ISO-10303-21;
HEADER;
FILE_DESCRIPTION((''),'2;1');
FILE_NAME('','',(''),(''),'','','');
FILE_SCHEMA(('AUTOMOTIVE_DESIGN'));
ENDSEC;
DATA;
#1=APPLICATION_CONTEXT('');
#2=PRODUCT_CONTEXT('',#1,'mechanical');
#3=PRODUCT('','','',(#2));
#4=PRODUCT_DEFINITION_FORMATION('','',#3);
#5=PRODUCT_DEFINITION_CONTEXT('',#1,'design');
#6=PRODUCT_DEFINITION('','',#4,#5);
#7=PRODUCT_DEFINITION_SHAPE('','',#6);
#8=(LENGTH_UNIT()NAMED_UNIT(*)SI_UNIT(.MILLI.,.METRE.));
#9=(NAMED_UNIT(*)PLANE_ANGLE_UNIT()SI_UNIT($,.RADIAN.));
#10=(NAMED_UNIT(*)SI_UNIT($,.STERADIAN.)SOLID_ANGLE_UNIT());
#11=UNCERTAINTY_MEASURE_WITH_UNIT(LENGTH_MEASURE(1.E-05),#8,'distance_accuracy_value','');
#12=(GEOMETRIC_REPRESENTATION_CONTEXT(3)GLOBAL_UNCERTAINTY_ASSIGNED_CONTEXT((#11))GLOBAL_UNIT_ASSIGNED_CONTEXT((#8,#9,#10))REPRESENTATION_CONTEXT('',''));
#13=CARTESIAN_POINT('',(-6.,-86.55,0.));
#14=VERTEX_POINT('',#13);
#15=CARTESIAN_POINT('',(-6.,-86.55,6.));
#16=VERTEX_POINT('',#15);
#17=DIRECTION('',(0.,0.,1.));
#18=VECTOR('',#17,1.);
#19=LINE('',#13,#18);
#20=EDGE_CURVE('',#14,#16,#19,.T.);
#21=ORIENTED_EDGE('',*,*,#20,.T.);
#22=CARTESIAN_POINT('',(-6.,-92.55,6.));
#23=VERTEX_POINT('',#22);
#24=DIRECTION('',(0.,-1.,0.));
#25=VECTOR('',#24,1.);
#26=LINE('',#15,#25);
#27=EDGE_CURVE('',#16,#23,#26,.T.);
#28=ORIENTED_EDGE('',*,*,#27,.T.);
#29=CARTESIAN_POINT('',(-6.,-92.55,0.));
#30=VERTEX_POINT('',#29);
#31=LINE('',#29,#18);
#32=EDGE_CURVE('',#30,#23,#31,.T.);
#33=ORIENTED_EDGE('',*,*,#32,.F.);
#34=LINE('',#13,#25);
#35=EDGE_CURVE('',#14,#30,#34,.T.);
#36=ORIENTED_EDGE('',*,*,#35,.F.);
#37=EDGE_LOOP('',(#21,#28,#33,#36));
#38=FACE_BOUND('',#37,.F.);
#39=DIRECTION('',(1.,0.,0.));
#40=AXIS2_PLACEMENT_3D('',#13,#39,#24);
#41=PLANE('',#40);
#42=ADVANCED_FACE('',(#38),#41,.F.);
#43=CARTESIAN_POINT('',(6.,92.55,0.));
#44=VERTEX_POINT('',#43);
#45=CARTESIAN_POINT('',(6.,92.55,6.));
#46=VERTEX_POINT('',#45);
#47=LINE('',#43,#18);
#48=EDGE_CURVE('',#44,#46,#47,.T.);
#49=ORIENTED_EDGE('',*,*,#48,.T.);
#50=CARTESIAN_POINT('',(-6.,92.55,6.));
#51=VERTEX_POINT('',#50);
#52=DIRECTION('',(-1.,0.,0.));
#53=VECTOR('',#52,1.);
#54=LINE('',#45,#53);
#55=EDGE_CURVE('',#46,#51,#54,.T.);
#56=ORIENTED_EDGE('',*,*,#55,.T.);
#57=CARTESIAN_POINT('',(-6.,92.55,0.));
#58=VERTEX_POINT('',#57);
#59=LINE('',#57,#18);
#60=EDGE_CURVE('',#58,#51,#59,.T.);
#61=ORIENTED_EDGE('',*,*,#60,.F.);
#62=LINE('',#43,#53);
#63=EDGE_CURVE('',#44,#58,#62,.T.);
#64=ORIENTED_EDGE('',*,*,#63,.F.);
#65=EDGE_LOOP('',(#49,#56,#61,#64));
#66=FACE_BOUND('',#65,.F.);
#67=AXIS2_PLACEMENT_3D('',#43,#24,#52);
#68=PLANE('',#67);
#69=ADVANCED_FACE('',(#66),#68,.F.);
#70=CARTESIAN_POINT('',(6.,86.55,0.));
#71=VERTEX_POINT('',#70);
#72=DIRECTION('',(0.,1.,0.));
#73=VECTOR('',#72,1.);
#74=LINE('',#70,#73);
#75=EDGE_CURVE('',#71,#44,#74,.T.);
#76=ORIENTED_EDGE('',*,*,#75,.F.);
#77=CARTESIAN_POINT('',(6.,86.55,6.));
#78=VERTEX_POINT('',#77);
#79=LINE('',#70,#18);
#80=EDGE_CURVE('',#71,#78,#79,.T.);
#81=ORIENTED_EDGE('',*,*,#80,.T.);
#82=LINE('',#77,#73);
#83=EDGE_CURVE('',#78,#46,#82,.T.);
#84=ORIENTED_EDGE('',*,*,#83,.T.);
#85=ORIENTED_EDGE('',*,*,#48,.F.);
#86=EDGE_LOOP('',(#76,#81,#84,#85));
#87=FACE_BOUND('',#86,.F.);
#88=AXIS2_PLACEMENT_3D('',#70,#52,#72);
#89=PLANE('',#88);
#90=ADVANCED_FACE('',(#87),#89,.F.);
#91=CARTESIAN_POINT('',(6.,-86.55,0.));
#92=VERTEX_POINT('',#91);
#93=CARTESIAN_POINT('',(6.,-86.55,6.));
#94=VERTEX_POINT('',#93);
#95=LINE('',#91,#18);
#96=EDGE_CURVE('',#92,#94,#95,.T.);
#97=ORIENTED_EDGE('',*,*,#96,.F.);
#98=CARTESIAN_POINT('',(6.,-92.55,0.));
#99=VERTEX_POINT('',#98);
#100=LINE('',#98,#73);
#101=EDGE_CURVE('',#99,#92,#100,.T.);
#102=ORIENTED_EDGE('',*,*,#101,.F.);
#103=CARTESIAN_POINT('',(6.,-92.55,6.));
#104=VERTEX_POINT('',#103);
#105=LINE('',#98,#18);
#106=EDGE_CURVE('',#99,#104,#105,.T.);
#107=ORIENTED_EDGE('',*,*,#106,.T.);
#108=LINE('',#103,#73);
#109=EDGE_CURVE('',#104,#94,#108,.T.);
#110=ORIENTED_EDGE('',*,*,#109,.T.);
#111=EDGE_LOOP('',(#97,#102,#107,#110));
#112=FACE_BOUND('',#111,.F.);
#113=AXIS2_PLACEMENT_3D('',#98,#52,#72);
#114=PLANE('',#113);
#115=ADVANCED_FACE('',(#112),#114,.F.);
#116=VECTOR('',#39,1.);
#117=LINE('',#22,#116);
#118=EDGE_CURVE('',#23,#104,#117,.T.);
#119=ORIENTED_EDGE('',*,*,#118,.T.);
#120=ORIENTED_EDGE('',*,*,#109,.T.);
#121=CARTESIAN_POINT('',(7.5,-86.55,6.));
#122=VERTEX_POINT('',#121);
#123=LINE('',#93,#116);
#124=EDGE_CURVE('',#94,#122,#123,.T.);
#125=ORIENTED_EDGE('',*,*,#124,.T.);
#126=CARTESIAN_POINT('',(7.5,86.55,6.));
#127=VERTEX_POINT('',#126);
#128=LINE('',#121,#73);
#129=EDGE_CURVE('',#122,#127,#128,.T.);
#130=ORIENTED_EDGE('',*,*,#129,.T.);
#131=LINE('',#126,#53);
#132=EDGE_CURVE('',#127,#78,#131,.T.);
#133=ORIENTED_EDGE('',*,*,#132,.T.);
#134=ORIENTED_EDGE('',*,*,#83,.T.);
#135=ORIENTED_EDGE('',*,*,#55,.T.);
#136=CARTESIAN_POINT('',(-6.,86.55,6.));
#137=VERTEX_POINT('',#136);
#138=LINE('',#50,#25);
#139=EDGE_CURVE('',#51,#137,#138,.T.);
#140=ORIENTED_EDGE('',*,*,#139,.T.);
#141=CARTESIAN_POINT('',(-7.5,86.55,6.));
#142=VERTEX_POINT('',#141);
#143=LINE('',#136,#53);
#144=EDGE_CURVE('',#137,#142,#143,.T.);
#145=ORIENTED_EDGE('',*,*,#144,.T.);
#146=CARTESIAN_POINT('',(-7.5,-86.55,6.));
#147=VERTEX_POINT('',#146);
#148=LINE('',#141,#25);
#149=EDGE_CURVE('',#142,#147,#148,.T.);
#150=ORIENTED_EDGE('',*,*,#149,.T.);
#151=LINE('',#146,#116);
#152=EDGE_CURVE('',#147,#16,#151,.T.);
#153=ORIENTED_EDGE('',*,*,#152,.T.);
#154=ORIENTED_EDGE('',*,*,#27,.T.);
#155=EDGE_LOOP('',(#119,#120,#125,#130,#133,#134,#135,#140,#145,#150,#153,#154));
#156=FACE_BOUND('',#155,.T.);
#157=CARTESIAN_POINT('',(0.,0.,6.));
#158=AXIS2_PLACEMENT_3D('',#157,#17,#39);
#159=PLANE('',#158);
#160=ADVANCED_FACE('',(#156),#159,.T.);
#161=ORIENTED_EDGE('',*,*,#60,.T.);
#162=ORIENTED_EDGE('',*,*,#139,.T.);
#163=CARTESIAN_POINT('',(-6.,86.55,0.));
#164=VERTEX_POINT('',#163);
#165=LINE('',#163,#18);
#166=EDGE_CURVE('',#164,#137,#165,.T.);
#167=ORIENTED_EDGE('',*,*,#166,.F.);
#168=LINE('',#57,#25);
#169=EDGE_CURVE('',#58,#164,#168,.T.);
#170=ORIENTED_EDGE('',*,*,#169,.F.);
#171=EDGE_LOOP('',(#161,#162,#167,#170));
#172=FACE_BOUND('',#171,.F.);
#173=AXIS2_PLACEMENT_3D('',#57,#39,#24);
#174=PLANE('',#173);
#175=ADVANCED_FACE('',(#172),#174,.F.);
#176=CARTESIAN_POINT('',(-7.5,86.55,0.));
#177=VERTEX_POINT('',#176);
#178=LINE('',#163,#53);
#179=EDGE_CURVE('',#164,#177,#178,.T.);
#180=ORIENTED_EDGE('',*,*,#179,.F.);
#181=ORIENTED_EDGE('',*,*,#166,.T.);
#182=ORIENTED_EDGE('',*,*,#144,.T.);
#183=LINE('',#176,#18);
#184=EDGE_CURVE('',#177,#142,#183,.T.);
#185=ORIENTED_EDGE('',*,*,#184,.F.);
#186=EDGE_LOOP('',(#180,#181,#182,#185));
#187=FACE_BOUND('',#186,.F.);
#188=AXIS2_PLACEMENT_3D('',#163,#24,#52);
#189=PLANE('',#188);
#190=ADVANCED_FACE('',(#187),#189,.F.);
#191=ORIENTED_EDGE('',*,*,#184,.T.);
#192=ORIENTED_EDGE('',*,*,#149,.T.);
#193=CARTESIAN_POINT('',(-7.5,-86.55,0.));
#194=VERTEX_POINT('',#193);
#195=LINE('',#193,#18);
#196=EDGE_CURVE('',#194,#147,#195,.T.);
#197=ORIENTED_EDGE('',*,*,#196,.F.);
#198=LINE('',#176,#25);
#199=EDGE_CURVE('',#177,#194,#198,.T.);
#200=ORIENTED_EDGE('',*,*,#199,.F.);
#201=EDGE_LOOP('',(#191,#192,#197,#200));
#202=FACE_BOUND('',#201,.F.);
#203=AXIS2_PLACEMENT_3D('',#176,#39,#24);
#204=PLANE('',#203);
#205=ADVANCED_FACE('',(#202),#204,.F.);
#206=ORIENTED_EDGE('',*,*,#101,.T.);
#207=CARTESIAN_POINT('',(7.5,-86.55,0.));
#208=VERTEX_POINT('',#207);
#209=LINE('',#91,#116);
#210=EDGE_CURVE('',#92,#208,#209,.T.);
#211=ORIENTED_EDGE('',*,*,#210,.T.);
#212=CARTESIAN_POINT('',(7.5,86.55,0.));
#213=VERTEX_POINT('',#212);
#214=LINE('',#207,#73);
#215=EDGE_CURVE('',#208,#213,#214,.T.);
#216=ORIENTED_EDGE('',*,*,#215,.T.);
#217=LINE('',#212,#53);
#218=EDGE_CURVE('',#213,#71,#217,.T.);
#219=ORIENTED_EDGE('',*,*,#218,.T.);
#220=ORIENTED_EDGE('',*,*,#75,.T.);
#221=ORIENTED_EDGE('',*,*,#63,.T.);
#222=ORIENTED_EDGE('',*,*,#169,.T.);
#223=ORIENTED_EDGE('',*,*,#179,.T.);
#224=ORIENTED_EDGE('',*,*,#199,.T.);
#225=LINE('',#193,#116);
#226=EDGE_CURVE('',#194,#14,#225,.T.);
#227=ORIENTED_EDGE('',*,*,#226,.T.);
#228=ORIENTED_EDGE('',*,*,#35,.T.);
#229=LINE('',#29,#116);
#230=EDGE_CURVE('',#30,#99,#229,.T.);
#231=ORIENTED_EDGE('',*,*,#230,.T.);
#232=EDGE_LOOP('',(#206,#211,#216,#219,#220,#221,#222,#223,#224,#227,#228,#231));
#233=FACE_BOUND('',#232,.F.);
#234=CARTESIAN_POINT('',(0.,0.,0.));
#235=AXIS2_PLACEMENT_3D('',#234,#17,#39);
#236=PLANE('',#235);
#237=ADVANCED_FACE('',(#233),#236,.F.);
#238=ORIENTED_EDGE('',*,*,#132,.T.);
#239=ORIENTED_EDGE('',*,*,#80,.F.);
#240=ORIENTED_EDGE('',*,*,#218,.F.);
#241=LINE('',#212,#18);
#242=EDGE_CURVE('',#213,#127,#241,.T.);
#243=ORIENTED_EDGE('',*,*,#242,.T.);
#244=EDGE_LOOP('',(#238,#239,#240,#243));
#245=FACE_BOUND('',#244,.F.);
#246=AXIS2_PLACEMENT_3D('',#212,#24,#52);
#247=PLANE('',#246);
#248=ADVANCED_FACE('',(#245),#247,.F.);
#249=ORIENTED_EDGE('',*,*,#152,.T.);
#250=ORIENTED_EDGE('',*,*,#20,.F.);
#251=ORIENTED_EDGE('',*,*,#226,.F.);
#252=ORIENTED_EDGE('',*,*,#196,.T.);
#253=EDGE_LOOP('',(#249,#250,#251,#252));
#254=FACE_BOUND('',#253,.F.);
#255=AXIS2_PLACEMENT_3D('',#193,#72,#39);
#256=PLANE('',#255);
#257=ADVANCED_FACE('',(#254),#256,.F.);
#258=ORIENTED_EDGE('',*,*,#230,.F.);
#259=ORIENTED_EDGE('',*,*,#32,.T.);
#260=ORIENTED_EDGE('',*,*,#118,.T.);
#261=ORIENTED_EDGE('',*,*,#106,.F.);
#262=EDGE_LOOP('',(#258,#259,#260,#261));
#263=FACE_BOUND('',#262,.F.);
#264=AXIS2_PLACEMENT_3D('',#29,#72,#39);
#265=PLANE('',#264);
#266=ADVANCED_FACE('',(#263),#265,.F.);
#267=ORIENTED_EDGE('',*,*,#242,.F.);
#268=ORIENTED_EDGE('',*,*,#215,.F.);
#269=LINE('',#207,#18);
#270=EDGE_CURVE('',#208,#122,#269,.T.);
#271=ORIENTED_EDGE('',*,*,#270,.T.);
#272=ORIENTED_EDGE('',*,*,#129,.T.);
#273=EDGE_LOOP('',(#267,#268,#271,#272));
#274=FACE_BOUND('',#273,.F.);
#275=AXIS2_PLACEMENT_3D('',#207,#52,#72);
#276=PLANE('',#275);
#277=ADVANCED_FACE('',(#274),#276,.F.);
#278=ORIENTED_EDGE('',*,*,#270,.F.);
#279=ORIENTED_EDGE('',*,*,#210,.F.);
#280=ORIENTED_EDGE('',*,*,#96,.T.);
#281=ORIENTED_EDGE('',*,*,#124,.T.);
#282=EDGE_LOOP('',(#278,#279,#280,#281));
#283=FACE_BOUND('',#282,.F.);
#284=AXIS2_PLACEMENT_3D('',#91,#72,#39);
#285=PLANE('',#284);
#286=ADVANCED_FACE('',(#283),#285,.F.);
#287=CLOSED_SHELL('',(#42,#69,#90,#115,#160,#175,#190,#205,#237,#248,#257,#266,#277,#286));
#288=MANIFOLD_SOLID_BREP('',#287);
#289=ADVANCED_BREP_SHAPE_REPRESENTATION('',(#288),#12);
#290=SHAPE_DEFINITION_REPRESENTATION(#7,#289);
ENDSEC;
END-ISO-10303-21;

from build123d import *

# Parameters (mm, degrees)
F1_DEPTH = 6


with BuildPart() as f1:
    # F0 (on Top) → F1 (new body)
    with BuildSketch(Plane.XY):
        Polygon((-7.5, 86.55), (-7.5, 0), (-7.5, -86.55), (-6, -86.55), (-6, -92.55), (0, -92.55), (6, -92.55), (6, -86.55), (7.5, -86.55), (7.5, 0), (7.5, 86.55), (6, 86.55), (6, 92.55), (0, 92.55), (-6, 92.55), (-6, 86.55), align=None)
    extrude(amount=F1_DEPTH)


solid = f1.part
